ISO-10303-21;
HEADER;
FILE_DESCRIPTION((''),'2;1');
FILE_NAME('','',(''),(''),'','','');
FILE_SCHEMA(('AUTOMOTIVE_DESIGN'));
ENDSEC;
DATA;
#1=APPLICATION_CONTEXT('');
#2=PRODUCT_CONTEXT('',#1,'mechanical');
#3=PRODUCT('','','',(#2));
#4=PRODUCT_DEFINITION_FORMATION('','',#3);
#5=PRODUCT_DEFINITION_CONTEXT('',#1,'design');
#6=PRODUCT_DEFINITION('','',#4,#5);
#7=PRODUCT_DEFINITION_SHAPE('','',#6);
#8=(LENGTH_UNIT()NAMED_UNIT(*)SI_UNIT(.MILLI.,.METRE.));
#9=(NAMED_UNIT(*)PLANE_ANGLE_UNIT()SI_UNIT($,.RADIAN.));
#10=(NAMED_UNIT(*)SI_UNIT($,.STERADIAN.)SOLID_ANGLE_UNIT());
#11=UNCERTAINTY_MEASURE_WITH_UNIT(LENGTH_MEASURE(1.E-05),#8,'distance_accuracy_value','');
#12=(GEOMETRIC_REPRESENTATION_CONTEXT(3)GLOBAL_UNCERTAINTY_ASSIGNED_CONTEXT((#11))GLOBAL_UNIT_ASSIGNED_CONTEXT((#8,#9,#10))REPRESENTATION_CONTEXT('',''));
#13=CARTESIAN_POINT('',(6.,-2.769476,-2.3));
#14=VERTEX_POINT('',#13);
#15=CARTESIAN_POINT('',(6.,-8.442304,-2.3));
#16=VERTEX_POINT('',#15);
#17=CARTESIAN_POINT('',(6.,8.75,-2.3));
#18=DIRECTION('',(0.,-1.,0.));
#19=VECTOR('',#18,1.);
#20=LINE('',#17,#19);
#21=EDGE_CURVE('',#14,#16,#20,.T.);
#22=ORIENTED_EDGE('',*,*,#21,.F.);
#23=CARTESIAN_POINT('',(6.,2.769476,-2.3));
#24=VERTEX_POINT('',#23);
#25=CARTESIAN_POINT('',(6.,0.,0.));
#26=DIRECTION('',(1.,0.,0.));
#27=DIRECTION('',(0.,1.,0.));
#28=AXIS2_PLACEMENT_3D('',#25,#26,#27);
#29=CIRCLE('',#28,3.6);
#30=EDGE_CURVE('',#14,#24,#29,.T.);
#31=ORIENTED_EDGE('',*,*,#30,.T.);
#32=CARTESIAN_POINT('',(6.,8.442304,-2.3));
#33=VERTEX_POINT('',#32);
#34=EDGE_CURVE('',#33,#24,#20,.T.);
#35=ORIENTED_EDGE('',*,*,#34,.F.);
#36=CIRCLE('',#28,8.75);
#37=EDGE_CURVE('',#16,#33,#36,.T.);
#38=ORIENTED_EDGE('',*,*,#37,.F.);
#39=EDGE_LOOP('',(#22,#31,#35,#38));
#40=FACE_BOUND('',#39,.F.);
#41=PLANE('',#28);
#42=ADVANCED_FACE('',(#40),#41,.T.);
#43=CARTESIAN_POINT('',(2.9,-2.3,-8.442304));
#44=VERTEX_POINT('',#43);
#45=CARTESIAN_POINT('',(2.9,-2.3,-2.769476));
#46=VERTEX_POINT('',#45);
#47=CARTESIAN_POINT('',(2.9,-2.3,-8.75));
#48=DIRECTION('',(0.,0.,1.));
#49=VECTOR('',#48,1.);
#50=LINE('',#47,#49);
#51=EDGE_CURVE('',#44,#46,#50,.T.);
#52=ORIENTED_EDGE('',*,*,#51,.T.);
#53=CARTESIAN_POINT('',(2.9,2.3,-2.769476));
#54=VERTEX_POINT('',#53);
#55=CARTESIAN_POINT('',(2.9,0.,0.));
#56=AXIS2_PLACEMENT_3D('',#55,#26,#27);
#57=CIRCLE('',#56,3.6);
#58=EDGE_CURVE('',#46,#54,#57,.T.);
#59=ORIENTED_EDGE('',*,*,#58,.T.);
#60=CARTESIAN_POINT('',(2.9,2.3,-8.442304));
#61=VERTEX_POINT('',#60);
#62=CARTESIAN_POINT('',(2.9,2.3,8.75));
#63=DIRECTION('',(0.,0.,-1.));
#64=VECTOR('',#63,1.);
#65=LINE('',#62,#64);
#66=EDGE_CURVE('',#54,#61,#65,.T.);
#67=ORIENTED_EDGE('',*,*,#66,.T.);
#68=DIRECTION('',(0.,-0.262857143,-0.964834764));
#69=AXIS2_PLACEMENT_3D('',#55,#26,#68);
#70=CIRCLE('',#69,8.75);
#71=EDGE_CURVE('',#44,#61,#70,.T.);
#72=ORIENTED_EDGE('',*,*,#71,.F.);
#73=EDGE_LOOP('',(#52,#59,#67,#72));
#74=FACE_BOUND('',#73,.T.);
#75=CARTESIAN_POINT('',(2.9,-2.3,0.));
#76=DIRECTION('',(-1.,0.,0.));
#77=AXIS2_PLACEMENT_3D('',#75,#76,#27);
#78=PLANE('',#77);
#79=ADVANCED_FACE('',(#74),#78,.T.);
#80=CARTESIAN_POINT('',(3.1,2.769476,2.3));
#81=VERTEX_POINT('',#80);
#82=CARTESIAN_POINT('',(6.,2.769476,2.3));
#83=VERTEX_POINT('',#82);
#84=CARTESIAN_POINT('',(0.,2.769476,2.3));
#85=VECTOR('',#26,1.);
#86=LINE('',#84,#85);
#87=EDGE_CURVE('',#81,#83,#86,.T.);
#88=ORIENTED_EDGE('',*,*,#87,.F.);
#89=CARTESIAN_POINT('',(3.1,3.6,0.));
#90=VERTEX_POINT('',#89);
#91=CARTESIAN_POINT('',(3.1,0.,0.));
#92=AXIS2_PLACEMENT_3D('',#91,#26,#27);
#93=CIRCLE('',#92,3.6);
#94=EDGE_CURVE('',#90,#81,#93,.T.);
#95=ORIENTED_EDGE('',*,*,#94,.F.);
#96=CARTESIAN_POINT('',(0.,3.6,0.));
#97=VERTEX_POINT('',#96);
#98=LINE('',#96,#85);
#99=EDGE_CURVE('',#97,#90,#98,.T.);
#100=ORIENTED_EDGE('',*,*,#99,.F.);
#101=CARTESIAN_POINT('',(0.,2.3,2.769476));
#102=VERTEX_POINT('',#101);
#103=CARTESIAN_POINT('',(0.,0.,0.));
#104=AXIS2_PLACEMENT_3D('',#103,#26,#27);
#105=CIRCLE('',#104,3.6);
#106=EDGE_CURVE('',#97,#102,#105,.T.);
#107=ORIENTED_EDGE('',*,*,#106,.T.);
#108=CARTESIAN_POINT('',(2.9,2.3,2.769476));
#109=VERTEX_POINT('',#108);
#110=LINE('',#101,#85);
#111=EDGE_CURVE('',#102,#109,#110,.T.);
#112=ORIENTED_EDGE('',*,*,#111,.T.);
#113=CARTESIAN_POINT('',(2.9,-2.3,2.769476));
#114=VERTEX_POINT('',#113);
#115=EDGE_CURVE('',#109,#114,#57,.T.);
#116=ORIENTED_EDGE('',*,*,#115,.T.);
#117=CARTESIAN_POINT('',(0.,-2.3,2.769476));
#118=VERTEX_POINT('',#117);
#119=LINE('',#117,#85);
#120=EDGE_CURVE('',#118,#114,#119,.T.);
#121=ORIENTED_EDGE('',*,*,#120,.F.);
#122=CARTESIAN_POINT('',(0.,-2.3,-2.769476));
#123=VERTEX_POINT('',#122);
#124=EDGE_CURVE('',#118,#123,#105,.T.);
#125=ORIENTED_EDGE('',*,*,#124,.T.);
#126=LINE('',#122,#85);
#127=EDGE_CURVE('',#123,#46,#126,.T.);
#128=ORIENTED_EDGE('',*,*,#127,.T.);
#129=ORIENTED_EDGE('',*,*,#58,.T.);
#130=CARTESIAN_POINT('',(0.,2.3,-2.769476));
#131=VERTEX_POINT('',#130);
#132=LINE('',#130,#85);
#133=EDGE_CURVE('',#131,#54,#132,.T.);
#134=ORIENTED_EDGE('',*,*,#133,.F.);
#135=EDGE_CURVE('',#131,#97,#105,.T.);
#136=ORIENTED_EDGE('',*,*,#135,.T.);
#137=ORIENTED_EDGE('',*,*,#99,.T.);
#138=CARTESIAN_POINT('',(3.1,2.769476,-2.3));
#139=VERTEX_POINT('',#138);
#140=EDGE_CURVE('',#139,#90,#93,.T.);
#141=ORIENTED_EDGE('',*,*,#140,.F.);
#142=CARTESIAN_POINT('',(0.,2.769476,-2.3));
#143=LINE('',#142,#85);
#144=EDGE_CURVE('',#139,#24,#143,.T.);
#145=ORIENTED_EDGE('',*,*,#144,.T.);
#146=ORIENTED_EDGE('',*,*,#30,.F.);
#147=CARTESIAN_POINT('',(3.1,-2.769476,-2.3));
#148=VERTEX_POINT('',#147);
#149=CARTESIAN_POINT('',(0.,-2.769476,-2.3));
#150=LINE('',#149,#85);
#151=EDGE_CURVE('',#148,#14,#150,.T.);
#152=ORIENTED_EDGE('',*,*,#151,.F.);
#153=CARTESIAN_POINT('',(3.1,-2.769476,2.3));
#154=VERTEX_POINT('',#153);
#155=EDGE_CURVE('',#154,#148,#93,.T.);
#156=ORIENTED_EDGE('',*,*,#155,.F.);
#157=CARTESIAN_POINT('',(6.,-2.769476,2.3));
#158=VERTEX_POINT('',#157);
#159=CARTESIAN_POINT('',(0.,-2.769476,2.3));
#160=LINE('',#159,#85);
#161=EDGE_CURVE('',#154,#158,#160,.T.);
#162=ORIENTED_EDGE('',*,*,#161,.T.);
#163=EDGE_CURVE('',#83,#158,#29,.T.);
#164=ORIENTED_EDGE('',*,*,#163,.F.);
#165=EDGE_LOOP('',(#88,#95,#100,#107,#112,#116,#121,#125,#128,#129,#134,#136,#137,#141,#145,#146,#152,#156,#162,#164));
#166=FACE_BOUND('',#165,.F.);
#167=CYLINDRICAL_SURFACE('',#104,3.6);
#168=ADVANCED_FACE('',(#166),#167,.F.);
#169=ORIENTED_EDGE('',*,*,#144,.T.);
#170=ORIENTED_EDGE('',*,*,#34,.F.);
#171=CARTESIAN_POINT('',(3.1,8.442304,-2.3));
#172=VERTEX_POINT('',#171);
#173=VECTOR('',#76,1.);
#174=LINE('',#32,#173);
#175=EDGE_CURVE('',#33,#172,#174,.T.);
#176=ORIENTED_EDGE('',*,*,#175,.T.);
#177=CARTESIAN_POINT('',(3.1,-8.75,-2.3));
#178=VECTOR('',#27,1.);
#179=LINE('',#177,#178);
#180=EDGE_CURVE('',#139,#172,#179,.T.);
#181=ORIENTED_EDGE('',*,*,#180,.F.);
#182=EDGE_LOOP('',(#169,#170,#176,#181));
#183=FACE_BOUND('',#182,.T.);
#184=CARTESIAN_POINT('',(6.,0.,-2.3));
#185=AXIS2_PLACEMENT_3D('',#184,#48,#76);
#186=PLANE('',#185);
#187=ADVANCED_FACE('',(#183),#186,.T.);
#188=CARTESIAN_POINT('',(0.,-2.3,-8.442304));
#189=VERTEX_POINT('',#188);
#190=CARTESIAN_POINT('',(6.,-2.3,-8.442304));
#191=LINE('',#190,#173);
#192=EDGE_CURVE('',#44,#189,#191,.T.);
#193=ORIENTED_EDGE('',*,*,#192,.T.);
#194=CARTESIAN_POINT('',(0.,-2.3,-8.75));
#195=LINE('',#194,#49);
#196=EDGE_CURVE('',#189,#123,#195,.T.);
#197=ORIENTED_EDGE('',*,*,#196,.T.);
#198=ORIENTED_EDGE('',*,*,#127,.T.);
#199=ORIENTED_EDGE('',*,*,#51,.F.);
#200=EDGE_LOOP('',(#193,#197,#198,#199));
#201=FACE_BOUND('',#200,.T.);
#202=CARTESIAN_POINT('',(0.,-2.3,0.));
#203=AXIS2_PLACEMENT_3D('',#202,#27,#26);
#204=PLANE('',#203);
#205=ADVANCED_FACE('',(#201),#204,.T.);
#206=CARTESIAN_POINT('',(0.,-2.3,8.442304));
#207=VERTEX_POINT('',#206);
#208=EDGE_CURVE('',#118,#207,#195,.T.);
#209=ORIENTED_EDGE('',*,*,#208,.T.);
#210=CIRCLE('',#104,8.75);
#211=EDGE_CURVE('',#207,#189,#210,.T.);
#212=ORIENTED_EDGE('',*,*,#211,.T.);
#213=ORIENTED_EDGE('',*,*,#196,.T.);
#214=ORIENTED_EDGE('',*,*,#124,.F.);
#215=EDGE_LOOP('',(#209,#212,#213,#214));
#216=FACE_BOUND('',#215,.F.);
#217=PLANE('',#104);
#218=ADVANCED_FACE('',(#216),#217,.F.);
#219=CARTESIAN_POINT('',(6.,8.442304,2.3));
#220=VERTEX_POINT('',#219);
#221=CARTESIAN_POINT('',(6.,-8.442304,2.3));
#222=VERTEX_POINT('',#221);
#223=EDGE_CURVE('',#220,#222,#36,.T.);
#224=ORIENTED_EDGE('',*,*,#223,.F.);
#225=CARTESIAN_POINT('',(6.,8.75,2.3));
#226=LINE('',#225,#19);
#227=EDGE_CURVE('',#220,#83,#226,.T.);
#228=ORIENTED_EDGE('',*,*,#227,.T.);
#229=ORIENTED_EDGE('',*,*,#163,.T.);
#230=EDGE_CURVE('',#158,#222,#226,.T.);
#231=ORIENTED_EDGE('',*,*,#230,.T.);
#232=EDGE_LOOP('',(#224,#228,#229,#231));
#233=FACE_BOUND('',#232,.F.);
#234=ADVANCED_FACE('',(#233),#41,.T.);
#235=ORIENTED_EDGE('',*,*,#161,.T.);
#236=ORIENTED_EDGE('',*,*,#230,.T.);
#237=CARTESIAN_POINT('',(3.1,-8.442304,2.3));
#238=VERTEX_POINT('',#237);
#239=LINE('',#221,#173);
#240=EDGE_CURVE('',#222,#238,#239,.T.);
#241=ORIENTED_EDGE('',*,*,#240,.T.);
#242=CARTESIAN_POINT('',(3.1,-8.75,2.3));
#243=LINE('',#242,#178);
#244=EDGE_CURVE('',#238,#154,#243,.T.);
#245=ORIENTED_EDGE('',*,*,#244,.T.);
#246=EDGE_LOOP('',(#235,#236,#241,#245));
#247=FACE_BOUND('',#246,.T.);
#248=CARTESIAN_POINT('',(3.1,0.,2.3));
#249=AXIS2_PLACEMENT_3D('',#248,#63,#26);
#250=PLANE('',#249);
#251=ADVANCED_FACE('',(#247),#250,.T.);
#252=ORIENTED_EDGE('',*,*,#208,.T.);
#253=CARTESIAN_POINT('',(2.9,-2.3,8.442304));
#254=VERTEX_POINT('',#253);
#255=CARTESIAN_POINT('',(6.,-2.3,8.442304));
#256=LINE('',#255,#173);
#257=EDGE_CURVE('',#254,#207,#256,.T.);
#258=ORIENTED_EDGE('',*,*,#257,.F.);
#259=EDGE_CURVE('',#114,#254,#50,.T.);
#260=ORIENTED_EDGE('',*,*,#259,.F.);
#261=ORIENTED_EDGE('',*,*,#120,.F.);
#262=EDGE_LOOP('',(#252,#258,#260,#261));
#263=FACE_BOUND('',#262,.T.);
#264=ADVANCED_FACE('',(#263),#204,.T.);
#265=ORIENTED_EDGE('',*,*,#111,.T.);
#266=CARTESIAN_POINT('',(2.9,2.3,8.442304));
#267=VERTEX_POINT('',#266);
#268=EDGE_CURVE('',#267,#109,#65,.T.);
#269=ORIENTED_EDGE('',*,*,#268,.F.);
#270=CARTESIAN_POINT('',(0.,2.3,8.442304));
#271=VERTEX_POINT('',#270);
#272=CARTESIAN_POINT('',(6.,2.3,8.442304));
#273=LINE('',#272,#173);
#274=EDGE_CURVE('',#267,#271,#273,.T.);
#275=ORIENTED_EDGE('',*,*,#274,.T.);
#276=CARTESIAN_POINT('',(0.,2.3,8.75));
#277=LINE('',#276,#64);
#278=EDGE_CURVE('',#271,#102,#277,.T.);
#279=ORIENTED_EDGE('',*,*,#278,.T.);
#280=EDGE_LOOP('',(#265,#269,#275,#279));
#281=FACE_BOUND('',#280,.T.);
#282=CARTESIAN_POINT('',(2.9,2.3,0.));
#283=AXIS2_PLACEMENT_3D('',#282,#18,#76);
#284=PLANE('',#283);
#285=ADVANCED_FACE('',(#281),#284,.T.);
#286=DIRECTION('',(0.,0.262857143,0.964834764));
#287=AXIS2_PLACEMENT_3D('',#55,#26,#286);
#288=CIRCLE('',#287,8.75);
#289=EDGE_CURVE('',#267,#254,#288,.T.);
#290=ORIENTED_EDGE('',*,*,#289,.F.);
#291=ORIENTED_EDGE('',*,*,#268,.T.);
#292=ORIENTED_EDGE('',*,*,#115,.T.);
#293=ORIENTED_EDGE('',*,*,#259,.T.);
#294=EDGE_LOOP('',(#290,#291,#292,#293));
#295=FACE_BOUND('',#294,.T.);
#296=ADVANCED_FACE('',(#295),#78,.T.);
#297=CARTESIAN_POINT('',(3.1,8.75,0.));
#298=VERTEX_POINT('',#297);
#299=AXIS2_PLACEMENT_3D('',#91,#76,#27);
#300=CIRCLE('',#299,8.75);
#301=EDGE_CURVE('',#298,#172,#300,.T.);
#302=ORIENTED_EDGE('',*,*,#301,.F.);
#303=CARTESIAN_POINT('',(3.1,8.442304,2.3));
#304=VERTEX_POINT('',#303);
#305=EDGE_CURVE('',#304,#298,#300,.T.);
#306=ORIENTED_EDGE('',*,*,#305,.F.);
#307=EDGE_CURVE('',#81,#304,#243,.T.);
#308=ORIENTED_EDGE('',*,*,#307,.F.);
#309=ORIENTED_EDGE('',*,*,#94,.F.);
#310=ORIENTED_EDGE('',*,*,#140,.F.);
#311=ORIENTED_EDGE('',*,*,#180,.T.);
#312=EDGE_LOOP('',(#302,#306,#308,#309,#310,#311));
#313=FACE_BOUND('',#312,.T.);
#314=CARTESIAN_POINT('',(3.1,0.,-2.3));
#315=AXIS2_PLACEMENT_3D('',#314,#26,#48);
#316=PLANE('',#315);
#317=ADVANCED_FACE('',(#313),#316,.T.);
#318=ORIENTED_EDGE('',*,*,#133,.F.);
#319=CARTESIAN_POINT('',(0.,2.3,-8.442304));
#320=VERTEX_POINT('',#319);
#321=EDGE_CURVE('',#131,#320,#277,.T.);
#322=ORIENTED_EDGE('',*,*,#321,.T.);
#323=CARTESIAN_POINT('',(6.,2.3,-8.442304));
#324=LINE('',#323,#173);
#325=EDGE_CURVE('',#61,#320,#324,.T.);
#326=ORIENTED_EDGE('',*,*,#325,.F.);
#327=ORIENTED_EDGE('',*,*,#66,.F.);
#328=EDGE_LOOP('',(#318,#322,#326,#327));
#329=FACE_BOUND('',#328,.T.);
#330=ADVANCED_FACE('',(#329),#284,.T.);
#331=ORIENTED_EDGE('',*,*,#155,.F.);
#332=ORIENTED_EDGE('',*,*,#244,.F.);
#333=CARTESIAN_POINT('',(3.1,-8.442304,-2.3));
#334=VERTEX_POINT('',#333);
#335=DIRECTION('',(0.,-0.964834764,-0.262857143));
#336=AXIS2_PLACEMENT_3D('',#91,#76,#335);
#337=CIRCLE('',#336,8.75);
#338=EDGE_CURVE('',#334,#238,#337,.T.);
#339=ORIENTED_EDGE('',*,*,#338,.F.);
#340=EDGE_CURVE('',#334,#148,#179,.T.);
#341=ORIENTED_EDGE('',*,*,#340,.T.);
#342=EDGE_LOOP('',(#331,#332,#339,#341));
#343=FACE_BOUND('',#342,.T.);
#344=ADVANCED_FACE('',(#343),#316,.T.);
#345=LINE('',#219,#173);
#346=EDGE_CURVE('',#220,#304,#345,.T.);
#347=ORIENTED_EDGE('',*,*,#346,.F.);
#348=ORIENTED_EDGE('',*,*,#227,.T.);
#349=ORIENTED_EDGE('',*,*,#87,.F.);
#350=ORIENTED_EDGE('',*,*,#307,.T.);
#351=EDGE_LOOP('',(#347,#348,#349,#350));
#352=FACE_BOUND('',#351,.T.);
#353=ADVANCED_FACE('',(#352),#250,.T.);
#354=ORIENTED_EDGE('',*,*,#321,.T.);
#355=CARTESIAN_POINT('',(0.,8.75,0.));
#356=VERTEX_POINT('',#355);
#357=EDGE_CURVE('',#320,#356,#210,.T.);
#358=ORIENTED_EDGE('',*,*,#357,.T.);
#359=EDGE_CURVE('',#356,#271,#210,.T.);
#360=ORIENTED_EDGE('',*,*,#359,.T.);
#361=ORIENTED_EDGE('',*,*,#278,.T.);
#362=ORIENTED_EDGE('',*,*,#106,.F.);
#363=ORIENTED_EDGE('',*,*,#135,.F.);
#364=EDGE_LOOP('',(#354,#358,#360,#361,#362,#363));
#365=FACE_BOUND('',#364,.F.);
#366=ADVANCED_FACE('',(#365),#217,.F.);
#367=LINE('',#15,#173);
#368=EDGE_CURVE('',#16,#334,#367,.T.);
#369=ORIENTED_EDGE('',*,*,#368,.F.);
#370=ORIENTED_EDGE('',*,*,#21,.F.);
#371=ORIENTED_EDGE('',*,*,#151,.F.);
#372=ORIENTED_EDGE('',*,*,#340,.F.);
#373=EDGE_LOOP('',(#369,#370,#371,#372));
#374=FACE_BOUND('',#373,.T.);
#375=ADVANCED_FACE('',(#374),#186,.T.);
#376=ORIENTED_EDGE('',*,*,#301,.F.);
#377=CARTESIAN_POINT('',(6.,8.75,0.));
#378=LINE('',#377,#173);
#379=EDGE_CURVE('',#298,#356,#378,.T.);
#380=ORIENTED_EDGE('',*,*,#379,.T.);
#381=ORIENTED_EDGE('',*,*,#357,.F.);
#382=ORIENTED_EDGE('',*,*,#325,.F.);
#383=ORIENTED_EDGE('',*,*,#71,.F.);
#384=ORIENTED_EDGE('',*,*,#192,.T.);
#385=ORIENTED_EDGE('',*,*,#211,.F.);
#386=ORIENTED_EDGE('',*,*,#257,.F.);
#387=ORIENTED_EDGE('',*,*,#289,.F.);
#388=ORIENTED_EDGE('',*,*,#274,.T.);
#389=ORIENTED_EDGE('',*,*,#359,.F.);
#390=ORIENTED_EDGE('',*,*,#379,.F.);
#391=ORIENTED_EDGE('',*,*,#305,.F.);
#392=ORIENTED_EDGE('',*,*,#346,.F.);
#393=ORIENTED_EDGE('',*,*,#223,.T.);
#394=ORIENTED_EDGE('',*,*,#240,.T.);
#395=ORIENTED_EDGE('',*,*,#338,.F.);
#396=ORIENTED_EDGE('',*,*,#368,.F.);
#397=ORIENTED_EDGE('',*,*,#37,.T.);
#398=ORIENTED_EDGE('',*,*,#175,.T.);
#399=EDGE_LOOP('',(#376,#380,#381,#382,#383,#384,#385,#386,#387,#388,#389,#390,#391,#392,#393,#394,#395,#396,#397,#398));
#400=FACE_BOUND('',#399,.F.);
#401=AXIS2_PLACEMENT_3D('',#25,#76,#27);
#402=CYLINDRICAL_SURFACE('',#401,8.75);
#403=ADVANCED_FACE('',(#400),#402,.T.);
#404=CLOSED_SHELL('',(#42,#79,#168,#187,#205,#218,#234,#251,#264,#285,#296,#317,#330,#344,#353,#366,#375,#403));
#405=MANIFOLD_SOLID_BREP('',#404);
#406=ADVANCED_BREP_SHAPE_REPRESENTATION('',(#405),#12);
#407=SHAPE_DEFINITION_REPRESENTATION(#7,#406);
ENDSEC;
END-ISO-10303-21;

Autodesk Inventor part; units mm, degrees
sketch "Sketch_1" plane through (0, 0, 0) normal (0, 0, 1) x (1, 0, 0)
  line L0 (6, 0) -> (0, 0)
  line L1 (0, 8.75) -> (0, 3.6)
  line L2 (0, 3.6) -> (6, 3.6)
  line L3 (6, 3.6) -> (6, 8.75)
  line L4 (6, 8.75) -> (0, 8.75)
revolve "Revolution1" add sketch "Sketch_1" angle 360 about axis through (6, 0, 0) along (1, 0, 0)
sketch "Sketch_2" plane through (0, 0, 0) normal (0, 0, 1) x (1, 0, 0)
  line L0 (0, -2.3) -> (2.9, -2.3)
  line L1 (2.9, -2.3) -> (2.9, 2.3)
  line L2 (2.9, 2.3) -> (0, 2.3)
  line L3 (0, 2.3) -> (0, -2.3)
extrude "Extrusion1" cut sketch "Sketch_2" along normal mid plane 17.5
sketch "Sketch_3" plane through (0, 0, 0) normal (0, 1, 0) x (-1, 0, 0)
  line L0 (-3.1, -2.3) -> (-3.1, 2.3)
  line L1 (-3.1, 2.3) -> (-6, 2.3)
  line L2 (-6, 2.3) -> (-6, -2.3)
  line L3 (-6, -2.3) -> (-3.1, -2.3)
extrude "Extrusion2" cut sketch "Sketch_3" along normal mid plane 17.5
ref_plane "C_XY" through (3, 0, 0) normal (1, 0, 0) x (0, 0, -1)
ref_plane "C_YZ" through (3, 0, 0) normal (0, 0, -1) x (0, 1, 0)
ref_plane "C_ZX" through (3, 0, 0) normal (0, 1, 0) x (1, 0, 0)
properties part number "MCOC_spacer17"
